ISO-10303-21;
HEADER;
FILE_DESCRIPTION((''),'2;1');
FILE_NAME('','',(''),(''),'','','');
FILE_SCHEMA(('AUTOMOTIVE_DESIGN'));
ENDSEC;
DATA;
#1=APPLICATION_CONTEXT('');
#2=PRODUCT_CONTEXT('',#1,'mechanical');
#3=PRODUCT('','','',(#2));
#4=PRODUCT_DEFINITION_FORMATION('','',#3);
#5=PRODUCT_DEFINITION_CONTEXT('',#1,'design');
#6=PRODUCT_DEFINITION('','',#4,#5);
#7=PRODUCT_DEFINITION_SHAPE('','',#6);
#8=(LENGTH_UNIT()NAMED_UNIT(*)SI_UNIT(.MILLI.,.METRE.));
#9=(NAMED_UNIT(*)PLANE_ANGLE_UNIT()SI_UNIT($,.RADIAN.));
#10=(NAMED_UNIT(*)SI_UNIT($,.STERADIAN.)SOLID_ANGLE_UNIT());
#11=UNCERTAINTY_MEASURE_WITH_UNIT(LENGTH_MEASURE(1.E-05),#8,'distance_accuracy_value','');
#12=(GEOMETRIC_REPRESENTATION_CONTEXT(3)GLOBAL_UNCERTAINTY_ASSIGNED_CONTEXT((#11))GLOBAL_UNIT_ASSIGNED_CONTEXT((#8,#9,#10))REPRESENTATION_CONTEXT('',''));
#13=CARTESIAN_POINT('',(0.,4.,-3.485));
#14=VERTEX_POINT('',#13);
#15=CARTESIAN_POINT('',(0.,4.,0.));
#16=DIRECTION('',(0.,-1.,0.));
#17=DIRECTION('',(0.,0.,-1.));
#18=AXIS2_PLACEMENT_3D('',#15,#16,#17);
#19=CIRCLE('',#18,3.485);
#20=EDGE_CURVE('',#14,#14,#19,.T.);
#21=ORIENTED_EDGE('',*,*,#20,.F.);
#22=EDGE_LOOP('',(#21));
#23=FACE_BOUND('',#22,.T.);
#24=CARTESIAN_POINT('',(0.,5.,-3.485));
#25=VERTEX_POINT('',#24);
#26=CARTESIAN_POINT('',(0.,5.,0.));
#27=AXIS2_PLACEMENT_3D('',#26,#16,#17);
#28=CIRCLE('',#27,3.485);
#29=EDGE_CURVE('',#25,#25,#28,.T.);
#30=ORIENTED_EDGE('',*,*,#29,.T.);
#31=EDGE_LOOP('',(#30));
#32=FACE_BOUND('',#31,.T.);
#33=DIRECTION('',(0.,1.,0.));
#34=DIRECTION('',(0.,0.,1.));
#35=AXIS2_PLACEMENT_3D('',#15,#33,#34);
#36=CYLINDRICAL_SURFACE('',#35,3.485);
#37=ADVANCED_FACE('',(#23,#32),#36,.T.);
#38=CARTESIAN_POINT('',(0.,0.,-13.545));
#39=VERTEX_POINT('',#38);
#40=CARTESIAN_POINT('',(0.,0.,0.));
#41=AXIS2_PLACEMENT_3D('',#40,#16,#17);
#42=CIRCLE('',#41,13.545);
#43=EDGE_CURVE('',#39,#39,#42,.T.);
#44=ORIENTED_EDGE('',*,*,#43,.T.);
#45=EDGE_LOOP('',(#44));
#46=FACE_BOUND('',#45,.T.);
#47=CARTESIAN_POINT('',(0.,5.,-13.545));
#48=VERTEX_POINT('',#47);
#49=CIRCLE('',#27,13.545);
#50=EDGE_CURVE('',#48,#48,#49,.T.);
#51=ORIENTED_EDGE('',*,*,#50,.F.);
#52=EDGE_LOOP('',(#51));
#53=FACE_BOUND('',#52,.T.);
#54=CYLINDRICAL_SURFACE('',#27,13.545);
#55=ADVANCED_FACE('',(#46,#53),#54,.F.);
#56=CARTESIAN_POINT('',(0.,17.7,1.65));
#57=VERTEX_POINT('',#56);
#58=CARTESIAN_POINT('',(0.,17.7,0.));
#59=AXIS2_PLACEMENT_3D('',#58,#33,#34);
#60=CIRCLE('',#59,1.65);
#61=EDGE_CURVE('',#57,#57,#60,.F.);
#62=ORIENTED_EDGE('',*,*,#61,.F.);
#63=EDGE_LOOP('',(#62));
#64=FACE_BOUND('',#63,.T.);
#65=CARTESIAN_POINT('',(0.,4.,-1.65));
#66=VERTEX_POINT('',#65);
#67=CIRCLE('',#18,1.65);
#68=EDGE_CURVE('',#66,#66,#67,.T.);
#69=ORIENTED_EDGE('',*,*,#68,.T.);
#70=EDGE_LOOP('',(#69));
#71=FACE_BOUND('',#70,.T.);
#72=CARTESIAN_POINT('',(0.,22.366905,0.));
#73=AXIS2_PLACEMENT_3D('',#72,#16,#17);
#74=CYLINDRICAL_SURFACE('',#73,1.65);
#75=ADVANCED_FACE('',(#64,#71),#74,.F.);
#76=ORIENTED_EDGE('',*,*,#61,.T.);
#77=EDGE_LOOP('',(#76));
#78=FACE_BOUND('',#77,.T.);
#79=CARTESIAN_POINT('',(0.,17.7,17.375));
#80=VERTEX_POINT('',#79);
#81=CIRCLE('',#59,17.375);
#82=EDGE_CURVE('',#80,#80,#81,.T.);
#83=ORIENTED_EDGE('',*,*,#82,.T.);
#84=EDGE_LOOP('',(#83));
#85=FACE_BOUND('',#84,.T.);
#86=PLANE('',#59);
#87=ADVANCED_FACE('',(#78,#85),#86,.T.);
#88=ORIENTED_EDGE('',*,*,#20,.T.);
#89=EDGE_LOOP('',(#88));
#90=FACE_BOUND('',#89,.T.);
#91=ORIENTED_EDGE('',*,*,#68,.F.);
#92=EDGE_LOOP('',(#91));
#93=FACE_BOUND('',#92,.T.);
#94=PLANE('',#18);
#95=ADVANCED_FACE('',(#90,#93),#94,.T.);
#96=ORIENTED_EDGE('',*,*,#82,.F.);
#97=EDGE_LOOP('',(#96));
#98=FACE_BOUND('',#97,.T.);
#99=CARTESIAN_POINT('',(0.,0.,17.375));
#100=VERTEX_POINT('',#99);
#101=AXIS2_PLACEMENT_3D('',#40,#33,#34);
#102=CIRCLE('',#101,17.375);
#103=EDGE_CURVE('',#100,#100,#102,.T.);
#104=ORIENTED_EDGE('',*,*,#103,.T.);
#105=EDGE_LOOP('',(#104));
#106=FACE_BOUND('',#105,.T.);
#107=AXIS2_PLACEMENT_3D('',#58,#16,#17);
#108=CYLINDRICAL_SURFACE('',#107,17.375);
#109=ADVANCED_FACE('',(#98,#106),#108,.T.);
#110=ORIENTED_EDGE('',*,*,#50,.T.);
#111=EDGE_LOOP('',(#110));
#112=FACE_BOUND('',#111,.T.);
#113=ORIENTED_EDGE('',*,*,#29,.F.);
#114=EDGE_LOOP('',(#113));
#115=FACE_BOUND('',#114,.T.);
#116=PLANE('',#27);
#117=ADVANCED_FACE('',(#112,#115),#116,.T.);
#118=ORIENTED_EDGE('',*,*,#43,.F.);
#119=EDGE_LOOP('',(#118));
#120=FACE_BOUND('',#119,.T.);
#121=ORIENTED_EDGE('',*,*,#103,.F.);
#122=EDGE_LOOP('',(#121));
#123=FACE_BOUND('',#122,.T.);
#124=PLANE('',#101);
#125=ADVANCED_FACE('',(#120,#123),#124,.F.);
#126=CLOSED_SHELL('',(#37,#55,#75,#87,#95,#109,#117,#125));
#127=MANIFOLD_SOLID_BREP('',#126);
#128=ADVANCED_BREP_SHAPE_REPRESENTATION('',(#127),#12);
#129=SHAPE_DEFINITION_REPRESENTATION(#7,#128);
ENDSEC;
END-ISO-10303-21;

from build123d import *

# Parameters (mm, degrees)
SKETCH1_R           = 17.375
BOSS_EXTRUDE1_DEPTH = 17.7
SKETCH7_R           = 13.545
CUT_EXTRUDE4_DEPTH  = 5
SKETCH10_R          = 3.485
BOSS_EXTRUDE3_DEPTH = 1
SKETCH11_R          = 1.65
CUT_EXTRUDE5_DEPTH  = 13.7


with BuildPart() as part:
    # Sketch1 → Boss-Extrude1 (new body)
    with BuildSketch(Plane(origin=(0, 0, 0), x_dir=(1, 0, 0), z_dir=(0, 1, 0))):
        Circle(SKETCH1_R)
    extrude(amount=BOSS_EXTRUDE1_DEPTH)

    # Sketch7 → Cut-Extrude4 (cut)
    with BuildSketch(Plane.XZ):
        Circle(SKETCH7_R)
    extrude(amount=-CUT_EXTRUDE4_DEPTH, mode=Mode.SUBTRACT)

    # Sketch10 → Boss-Extrude3 (add)
    with BuildSketch(Plane.XZ.offset(-5)):
        Circle(SKETCH10_R)
    extrude(amount=BOSS_EXTRUDE3_DEPTH)

    # Sketch11 → Cut-Extrude5 (cut)
    with BuildSketch(Plane.XZ.offset(-4)):
        Circle(SKETCH11_R)
    extrude(amount=-CUT_EXTRUDE5_DEPTH, mode=Mode.SUBTRACT)


solid = part.part
